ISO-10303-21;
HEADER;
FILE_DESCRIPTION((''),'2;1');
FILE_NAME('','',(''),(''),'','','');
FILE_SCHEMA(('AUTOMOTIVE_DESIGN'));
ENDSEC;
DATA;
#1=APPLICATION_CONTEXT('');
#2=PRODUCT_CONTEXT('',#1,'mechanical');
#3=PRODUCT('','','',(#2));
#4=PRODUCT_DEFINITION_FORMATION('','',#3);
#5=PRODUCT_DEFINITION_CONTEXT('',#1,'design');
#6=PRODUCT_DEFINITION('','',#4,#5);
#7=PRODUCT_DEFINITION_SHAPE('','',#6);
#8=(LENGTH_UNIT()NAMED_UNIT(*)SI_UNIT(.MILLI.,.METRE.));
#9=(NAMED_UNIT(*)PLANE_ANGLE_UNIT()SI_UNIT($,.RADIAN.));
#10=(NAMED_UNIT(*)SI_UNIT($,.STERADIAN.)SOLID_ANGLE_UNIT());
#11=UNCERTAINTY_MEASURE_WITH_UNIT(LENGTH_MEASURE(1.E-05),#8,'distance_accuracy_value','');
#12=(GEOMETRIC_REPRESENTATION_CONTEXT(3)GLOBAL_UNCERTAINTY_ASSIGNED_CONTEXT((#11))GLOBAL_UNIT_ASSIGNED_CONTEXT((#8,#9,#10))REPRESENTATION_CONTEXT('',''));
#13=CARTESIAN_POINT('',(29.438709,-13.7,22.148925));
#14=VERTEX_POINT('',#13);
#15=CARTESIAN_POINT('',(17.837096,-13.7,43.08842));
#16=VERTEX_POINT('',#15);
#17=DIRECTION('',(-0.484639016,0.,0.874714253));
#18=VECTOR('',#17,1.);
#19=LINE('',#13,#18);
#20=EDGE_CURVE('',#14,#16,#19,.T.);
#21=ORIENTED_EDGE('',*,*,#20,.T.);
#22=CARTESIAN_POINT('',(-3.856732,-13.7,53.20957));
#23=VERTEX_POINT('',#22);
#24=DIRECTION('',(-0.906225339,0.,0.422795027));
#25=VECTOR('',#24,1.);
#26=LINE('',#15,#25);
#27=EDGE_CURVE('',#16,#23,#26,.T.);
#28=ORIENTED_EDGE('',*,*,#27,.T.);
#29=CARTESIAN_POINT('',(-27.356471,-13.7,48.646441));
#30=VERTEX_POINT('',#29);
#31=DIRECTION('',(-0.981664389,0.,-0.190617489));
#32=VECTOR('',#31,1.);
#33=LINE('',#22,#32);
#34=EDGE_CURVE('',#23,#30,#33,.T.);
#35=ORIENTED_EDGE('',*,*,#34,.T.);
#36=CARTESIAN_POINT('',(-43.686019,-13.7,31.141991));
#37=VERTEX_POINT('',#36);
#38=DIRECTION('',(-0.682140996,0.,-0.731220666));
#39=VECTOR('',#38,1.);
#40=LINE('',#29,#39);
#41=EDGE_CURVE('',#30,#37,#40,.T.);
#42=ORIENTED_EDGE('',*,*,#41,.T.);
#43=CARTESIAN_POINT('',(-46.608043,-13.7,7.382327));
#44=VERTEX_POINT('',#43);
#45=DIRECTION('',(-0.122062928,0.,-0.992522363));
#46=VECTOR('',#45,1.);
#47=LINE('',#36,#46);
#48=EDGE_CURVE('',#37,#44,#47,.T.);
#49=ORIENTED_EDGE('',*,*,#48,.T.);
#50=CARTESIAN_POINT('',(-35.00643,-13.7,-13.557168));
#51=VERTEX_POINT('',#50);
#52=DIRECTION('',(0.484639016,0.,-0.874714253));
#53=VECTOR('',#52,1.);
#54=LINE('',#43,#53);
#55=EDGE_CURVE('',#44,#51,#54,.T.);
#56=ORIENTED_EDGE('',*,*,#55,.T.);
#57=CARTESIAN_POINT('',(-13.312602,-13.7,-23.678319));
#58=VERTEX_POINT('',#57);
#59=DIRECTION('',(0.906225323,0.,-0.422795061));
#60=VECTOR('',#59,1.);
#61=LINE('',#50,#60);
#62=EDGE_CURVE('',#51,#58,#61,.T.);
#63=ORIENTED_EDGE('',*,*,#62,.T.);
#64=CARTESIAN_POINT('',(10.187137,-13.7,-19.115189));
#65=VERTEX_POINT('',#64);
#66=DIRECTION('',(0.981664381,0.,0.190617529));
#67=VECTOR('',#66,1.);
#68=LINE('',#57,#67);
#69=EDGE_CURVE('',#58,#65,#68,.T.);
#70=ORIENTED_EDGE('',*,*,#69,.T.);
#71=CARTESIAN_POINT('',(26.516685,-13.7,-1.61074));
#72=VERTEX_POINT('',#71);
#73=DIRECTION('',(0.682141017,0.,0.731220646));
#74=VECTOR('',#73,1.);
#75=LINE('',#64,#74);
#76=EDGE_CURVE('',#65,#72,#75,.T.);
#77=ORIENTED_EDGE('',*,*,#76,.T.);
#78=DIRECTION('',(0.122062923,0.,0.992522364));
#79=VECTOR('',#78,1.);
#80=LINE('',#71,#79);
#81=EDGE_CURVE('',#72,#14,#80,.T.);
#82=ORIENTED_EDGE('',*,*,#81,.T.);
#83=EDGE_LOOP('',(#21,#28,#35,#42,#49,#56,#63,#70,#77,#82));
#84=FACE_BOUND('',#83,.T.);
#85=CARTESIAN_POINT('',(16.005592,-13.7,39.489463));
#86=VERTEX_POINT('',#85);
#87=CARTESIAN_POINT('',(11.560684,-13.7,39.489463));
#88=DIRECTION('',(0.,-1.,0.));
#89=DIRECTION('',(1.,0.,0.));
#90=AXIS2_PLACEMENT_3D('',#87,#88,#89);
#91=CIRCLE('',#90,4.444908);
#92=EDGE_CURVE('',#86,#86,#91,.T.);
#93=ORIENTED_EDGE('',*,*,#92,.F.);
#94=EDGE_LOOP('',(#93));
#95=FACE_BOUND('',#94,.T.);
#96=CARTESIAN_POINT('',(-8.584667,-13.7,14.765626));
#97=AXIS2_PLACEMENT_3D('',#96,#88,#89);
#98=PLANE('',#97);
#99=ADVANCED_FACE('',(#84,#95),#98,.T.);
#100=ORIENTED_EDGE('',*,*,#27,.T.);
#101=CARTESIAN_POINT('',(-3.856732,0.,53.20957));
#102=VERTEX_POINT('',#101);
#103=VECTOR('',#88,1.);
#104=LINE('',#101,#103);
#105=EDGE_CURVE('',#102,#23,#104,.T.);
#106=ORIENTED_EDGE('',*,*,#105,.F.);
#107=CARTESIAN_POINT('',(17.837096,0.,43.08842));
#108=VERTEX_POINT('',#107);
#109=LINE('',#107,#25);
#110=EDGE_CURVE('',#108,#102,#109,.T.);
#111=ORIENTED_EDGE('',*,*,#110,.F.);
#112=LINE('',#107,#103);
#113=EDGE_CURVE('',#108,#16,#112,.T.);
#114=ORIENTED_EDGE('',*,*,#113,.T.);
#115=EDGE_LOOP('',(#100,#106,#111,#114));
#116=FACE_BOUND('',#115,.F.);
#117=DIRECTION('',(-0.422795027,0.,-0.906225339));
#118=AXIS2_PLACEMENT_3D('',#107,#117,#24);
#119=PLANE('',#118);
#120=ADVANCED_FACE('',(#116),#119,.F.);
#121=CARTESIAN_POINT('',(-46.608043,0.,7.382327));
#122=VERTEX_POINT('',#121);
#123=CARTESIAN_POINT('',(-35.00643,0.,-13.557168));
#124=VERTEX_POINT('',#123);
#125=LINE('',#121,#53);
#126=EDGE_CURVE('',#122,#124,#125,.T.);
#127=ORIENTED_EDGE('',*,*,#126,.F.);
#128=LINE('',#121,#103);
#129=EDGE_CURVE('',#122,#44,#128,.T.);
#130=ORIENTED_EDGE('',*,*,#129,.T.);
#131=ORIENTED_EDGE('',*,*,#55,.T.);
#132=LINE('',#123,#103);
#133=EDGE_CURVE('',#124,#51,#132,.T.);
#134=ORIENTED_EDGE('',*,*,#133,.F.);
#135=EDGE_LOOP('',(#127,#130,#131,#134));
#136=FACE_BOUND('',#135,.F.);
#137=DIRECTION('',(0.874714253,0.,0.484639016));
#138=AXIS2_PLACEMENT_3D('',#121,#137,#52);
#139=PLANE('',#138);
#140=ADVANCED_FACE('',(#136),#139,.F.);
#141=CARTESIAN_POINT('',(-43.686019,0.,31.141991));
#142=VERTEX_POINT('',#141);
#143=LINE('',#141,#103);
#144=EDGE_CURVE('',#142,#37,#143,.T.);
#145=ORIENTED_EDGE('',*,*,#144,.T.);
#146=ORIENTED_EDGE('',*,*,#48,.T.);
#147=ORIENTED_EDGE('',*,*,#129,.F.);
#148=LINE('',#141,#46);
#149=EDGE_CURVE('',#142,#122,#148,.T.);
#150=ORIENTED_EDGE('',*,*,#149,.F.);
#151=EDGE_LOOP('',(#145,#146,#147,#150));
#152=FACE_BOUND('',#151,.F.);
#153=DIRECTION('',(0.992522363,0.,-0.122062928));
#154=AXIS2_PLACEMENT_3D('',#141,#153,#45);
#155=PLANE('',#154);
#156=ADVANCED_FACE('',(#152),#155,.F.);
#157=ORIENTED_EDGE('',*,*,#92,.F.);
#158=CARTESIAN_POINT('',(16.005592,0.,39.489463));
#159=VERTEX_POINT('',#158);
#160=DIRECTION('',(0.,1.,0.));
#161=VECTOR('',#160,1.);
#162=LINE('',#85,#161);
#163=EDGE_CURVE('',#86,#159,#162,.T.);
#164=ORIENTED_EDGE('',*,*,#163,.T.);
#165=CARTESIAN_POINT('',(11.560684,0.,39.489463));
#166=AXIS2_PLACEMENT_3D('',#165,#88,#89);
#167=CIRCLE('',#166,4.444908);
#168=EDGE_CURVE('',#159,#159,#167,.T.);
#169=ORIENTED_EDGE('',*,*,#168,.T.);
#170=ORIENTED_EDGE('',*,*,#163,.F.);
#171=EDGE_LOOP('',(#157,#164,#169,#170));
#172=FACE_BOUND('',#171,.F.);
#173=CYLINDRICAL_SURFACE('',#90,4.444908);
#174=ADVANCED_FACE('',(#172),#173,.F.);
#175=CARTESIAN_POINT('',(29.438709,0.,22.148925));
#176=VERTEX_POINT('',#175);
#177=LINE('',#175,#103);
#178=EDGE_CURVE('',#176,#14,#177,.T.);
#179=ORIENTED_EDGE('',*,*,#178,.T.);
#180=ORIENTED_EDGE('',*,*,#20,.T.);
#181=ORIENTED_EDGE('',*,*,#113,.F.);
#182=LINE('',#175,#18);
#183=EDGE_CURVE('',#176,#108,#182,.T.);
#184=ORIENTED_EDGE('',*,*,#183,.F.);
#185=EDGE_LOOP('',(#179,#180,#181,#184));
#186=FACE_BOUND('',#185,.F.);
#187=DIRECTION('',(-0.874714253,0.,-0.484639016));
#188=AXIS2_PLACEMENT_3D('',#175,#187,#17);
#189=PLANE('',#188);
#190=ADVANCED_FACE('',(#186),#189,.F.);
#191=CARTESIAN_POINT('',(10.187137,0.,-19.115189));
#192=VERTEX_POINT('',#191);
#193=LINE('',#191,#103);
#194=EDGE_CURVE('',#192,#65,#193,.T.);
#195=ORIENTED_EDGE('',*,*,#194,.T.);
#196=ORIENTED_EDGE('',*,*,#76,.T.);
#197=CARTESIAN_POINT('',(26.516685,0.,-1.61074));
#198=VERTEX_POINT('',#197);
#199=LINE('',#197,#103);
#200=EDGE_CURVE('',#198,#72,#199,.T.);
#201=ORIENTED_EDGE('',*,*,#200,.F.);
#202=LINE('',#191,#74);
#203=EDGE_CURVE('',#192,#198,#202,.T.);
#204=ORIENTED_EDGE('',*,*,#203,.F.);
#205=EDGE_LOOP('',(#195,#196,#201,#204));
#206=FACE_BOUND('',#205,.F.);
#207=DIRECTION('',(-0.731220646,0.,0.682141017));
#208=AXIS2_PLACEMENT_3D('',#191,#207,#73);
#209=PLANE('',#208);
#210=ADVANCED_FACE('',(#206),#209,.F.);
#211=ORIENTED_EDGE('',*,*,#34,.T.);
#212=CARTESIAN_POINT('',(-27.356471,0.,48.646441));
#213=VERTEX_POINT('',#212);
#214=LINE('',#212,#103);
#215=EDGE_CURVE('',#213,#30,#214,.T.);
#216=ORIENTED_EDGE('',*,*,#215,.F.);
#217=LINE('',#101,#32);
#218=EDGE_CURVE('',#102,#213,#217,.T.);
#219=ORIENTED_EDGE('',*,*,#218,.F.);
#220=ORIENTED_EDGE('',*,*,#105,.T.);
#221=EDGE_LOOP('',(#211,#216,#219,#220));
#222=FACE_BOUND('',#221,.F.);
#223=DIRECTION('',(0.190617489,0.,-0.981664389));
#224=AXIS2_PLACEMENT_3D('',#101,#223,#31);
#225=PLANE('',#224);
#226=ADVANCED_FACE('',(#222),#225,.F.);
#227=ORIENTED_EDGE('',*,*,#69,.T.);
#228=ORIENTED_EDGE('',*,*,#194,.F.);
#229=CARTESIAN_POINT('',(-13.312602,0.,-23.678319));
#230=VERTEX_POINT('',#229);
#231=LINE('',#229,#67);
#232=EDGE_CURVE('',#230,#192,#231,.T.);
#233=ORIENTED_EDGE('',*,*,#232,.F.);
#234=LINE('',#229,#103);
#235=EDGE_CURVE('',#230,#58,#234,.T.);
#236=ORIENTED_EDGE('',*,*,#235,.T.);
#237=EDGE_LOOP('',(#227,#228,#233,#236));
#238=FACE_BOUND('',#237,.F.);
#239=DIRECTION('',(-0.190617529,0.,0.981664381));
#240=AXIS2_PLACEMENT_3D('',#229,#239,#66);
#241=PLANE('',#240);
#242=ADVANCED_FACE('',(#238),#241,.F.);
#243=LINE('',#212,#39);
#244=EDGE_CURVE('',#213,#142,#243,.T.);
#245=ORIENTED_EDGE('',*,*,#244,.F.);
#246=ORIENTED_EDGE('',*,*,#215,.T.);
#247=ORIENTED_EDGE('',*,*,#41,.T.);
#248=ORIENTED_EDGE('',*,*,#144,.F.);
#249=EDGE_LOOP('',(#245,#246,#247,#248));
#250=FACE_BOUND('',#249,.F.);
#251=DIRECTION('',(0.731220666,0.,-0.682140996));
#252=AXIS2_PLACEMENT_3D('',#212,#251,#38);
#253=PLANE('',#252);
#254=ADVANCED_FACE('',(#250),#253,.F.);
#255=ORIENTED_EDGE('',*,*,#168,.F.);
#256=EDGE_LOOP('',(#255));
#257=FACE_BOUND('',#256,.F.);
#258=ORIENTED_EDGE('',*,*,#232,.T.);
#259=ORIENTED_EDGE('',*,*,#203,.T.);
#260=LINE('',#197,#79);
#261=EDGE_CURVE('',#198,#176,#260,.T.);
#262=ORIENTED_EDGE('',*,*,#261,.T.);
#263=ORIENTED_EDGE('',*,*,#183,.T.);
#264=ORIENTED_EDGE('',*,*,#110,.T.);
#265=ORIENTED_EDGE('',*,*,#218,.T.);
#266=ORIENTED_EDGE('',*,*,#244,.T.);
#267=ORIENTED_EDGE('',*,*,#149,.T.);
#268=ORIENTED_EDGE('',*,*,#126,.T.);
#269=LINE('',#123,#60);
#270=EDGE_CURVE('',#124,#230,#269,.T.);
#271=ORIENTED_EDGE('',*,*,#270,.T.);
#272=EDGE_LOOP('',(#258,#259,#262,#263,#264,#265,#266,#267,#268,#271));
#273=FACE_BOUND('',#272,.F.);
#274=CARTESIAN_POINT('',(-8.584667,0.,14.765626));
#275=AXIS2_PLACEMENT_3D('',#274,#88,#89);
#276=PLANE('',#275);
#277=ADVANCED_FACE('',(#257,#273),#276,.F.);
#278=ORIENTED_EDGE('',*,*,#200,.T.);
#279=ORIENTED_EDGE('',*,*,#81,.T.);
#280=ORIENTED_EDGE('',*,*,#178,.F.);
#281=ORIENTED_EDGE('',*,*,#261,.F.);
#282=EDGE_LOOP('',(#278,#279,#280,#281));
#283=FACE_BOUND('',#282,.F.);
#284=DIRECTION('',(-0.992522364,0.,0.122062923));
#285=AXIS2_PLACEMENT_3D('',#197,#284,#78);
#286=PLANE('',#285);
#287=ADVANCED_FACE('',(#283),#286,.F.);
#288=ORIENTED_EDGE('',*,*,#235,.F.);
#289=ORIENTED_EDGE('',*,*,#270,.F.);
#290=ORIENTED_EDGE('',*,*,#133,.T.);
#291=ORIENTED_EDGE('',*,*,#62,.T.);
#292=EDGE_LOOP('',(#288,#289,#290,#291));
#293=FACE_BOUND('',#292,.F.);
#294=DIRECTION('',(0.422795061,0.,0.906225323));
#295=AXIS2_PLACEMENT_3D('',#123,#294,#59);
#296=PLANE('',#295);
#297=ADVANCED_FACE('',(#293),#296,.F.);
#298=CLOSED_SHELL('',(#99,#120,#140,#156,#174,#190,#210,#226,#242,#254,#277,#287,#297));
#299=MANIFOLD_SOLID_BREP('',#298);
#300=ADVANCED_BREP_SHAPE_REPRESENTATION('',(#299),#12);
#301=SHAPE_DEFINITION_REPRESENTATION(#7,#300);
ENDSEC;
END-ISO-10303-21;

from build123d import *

# Parameters (mm, degrees)
F1_DEPTH = 13.7
F2_R     = 4.444908
F3_DEPTH = 39.7


with BuildPart() as f1:
    # F0 (on Front) → F1 (new body)
    with BuildSketch(Plane.XZ):
        Polygon((-13.312602, -23.678319), (10.187137, -19.115189), (26.516685, -1.61074), (29.438709, 22.148925), (17.837096, 43.08842), (-3.856732, 53.20957), (-27.356471, 48.646441), (-43.686019, 31.141991), (-46.608043, 7.382327), (-35.00643, -13.557168), align=None)
    extrude(amount=F1_DEPTH)

    # F2 (on face) → F3 (cut)
    with BuildSketch(Plane.XZ.offset(13.7)):
        with Locations((11.560684, 39.489463)):
            Circle(F2_R)
    extrude(amount=-F3_DEPTH, mode=Mode.SUBTRACT)


solid = f1.part
